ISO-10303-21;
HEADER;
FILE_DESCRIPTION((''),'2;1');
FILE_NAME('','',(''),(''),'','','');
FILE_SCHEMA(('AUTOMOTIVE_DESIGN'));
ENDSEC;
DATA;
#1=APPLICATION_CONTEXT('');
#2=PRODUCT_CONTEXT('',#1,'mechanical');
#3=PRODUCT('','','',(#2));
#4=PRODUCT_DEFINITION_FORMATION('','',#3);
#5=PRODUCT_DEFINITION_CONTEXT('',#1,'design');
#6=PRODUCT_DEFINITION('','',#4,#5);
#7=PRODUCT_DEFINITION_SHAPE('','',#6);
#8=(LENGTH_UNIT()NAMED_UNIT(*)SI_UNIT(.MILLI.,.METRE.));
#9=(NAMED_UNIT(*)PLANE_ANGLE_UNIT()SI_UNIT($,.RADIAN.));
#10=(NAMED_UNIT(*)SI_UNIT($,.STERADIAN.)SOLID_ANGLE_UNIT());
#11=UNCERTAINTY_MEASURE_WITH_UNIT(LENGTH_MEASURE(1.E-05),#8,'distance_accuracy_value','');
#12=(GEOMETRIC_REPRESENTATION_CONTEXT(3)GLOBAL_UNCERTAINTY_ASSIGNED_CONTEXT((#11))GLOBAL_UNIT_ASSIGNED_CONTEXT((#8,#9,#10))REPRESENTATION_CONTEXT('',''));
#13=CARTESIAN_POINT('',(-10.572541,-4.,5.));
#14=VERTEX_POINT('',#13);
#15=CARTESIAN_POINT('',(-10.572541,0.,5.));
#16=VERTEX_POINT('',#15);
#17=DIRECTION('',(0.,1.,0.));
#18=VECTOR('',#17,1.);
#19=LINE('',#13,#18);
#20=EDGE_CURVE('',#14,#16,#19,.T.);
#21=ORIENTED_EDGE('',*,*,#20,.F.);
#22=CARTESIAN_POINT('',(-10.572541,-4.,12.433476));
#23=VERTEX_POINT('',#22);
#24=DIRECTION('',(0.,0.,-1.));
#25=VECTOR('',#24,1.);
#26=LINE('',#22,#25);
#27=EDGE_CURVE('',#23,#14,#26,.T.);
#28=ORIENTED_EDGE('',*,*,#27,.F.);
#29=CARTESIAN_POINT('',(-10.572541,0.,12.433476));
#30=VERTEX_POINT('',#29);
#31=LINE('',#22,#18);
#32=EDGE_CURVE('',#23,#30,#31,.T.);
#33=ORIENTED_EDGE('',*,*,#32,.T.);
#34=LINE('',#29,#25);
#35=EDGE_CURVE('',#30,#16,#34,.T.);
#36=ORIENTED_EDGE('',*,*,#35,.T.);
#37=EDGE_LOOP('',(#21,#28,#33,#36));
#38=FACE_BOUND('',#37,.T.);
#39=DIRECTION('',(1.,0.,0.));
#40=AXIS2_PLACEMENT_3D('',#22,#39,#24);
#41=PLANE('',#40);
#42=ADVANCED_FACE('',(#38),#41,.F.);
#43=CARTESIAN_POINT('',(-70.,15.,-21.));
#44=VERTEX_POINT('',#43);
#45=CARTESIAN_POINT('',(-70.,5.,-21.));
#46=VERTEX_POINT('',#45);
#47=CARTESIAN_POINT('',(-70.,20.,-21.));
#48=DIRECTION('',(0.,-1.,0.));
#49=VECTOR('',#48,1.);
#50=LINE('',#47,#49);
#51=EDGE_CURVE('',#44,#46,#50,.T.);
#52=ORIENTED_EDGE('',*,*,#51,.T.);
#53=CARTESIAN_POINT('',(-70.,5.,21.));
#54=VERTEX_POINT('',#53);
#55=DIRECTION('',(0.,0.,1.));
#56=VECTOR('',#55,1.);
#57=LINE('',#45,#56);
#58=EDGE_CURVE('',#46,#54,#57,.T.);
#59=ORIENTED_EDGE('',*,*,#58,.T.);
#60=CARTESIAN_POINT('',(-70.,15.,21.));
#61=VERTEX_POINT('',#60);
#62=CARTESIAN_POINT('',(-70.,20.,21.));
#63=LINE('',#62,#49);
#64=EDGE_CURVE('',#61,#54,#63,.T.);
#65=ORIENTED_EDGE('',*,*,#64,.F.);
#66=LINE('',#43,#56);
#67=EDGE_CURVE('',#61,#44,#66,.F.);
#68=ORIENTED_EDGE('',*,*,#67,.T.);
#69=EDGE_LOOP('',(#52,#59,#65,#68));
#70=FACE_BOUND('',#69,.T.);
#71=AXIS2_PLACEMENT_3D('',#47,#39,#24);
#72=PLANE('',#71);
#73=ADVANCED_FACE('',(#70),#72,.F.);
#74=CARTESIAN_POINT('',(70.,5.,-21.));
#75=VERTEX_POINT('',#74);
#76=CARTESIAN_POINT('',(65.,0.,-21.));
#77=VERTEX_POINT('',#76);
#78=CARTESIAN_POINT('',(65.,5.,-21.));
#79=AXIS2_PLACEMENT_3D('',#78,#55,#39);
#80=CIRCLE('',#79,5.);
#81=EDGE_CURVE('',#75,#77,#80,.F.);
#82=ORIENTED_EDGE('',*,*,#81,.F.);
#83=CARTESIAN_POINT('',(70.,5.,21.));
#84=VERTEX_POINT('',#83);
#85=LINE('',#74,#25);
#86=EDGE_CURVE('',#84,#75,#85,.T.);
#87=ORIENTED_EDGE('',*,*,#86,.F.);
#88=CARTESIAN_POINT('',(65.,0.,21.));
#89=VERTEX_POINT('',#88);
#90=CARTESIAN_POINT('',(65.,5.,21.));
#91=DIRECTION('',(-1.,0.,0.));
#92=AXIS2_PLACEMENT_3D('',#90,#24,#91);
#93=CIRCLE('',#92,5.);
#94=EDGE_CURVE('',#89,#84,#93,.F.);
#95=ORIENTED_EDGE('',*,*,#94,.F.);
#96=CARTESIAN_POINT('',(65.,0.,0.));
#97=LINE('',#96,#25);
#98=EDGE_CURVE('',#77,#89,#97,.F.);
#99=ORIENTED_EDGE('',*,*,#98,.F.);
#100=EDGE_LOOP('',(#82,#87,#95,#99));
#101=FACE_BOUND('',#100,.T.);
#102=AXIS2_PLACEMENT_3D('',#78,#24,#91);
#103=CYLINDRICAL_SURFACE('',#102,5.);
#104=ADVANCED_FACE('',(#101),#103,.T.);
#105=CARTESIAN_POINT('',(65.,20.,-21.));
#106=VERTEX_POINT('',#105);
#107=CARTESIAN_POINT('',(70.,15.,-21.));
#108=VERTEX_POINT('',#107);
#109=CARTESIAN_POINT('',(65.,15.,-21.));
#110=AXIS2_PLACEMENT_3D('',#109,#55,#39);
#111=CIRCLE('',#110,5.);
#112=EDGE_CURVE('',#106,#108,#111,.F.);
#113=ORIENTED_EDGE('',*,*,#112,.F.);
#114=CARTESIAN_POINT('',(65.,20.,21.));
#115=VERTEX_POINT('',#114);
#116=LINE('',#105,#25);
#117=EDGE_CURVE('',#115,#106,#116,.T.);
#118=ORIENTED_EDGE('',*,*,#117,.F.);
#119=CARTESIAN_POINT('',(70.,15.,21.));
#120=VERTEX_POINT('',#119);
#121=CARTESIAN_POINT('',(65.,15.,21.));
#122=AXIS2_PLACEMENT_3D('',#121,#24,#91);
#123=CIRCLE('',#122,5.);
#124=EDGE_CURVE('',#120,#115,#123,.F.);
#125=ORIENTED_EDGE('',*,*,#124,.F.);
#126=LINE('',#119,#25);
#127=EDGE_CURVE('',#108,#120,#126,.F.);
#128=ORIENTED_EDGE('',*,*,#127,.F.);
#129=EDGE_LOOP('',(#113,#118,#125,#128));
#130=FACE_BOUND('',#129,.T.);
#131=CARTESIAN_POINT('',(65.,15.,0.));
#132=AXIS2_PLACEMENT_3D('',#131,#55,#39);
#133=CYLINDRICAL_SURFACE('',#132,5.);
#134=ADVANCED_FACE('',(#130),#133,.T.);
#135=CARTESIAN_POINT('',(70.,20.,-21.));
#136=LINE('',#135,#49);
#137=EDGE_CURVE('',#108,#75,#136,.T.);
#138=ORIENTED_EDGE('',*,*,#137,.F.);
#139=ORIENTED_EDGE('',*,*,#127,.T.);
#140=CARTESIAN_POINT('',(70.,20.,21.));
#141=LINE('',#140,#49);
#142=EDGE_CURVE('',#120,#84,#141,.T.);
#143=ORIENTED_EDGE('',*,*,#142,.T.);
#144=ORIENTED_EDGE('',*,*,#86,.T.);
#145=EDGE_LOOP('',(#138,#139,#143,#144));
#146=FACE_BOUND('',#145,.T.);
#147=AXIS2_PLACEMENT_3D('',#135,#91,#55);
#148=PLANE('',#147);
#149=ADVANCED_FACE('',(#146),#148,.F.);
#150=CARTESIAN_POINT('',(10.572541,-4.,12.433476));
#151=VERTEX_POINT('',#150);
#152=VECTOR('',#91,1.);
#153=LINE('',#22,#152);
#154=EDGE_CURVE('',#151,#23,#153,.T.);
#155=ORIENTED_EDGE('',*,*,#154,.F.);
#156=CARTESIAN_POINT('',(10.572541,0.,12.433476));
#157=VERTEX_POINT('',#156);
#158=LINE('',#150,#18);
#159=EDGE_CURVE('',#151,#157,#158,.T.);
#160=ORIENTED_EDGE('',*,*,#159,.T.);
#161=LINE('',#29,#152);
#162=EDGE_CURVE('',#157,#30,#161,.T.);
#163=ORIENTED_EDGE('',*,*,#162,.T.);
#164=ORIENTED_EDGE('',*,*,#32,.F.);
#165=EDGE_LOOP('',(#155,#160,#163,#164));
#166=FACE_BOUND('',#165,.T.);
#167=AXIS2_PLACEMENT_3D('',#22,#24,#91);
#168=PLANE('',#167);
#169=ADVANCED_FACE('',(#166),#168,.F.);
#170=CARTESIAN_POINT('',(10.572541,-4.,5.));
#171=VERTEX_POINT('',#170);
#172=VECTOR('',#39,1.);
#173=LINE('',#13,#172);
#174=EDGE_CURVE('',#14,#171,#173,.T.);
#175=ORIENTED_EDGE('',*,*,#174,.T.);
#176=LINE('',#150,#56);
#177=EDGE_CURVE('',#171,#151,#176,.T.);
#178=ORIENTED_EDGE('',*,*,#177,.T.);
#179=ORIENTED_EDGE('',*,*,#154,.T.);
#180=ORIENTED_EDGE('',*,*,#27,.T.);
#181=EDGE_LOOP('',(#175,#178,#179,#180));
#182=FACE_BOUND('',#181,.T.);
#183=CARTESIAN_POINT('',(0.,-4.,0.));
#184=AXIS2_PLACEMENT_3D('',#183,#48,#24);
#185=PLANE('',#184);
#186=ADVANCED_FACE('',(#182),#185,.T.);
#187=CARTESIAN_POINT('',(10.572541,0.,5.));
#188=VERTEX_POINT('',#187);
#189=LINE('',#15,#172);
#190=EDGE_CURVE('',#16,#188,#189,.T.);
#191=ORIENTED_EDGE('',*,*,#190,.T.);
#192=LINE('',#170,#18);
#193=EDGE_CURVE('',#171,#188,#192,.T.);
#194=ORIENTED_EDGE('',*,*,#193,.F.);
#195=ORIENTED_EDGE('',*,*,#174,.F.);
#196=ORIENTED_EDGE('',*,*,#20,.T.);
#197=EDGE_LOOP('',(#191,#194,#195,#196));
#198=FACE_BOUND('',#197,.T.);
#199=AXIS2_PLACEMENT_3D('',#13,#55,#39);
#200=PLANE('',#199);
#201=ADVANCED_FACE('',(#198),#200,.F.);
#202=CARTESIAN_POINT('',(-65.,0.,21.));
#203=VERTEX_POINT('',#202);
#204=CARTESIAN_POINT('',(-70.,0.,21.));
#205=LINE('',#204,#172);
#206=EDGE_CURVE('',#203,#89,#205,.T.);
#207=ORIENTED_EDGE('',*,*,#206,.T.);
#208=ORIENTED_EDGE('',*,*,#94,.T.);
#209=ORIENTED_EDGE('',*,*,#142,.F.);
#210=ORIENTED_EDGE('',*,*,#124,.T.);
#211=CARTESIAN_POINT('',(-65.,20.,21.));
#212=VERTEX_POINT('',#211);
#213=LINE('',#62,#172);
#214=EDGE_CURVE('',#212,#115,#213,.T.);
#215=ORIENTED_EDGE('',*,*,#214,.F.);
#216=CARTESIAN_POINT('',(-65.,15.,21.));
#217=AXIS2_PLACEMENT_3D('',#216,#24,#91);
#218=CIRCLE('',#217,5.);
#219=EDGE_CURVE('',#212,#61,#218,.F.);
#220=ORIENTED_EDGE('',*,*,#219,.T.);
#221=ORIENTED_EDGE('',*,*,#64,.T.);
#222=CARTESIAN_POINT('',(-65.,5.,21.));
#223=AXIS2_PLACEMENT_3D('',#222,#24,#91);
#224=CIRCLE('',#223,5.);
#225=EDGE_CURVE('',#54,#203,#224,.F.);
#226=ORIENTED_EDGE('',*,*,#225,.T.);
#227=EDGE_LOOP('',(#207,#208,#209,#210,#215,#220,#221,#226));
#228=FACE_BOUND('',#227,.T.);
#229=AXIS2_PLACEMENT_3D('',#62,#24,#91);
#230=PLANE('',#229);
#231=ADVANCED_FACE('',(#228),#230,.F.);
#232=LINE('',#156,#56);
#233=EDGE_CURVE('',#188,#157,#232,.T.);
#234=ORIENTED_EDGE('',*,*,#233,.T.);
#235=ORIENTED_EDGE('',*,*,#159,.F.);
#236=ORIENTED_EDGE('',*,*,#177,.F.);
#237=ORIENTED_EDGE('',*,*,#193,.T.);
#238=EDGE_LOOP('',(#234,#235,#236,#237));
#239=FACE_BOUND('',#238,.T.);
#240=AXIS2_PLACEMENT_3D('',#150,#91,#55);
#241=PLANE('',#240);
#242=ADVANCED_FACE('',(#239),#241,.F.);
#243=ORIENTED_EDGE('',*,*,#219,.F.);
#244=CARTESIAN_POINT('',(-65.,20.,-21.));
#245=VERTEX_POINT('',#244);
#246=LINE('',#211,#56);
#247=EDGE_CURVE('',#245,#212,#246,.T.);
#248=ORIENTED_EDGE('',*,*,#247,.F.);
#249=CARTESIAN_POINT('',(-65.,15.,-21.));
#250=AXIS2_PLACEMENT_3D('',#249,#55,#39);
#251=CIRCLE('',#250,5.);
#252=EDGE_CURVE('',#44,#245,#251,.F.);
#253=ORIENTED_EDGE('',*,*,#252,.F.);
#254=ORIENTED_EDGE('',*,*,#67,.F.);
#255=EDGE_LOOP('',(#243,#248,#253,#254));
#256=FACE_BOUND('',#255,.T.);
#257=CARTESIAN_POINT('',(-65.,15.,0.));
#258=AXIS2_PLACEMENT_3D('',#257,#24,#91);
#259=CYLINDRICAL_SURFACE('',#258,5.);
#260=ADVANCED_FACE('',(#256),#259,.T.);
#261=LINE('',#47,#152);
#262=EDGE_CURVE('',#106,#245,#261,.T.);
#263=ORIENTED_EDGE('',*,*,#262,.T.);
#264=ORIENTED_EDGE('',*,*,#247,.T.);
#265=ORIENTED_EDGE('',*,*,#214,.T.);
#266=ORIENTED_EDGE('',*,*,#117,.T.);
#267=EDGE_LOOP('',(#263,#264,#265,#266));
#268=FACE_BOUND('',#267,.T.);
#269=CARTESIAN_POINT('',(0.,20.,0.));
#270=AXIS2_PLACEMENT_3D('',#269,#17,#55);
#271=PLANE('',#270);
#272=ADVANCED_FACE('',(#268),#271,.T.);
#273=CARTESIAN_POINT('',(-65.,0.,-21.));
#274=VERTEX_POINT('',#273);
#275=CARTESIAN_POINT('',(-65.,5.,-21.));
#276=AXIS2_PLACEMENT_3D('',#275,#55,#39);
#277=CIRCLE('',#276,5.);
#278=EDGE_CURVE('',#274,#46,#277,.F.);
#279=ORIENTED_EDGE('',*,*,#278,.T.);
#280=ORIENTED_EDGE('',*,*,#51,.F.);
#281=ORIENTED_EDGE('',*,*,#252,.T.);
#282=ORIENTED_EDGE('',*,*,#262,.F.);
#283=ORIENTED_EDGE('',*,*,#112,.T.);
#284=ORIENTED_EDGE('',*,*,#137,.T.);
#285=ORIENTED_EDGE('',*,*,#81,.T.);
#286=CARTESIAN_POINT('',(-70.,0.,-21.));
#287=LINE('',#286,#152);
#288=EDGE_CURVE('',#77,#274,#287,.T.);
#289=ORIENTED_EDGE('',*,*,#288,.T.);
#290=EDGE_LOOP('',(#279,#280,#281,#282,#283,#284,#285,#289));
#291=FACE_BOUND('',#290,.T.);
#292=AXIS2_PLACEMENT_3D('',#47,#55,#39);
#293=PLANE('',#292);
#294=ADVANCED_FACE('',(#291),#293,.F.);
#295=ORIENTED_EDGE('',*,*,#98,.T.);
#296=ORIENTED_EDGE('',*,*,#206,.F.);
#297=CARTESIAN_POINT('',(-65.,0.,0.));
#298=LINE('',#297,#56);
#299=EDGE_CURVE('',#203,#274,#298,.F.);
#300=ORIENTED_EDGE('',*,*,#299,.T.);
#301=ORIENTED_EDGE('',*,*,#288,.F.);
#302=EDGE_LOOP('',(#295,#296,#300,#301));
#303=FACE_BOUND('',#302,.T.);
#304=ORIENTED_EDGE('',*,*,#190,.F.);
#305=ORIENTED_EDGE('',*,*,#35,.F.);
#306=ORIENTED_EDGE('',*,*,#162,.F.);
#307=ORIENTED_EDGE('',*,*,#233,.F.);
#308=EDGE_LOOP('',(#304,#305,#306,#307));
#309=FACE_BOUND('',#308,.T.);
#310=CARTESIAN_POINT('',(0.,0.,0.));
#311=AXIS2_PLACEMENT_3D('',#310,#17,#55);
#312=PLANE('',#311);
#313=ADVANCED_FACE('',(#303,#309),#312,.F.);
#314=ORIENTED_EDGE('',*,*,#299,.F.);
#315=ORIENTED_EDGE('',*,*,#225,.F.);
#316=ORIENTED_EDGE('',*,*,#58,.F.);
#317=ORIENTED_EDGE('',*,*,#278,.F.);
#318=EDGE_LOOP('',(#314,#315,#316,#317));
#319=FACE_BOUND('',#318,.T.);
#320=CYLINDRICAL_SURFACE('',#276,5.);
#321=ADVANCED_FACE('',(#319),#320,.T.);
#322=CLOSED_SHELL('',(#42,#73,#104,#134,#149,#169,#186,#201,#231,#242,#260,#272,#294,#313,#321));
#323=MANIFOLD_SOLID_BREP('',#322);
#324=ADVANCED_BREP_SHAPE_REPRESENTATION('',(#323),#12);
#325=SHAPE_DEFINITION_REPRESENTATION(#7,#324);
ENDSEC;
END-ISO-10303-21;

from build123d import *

# Parameters (mm, degrees)
SKETCH_1_W      = 140
SKETCH_1_H      = 42
EXTRUDE_1_DEPTH = 20
SKETCH_2_W      = 21.145082228
SKETCH_2_H      = 7.433476263
EXTRUDE_2_DEPTH = 4
FILLET_1_R      = 5
FILLET_2_R      = 5


with BuildPart() as part:
    # 草图1 → 凸台-拉伸1 (new body)
    with BuildSketch(Plane(origin=(0, 0, 0), x_dir=(1, 0, 0), z_dir=(0, 1, 0))):
        Rectangle(SKETCH_1_W, SKETCH_1_H)
    extrude(amount=EXTRUDE_1_DEPTH)

    # 草图2 → 凸台-拉伸2 (add)
    with BuildSketch(Plane.XZ):
        with Locations((0, 8.716738132)):
            Rectangle(SKETCH_2_W, SKETCH_2_H)
    extrude(amount=EXTRUDE_2_DEPTH)

    # 圆角1
    fillet_1_edges = [part.edges().sort_by_distance(p)[0] for p in [
        (-70, 20, 0),
        (70, 20, 0),
    ]]
    fillet(fillet_1_edges, radius=FILLET_1_R)

    # 圆角2
    fillet_2_edges = [part.edges().sort_by_distance(p)[0] for p in [
        (-70, 0, 0),
        (70, 0, 0),
    ]]
    fillet(fillet_2_edges, radius=FILLET_2_R)


solid = part.part
